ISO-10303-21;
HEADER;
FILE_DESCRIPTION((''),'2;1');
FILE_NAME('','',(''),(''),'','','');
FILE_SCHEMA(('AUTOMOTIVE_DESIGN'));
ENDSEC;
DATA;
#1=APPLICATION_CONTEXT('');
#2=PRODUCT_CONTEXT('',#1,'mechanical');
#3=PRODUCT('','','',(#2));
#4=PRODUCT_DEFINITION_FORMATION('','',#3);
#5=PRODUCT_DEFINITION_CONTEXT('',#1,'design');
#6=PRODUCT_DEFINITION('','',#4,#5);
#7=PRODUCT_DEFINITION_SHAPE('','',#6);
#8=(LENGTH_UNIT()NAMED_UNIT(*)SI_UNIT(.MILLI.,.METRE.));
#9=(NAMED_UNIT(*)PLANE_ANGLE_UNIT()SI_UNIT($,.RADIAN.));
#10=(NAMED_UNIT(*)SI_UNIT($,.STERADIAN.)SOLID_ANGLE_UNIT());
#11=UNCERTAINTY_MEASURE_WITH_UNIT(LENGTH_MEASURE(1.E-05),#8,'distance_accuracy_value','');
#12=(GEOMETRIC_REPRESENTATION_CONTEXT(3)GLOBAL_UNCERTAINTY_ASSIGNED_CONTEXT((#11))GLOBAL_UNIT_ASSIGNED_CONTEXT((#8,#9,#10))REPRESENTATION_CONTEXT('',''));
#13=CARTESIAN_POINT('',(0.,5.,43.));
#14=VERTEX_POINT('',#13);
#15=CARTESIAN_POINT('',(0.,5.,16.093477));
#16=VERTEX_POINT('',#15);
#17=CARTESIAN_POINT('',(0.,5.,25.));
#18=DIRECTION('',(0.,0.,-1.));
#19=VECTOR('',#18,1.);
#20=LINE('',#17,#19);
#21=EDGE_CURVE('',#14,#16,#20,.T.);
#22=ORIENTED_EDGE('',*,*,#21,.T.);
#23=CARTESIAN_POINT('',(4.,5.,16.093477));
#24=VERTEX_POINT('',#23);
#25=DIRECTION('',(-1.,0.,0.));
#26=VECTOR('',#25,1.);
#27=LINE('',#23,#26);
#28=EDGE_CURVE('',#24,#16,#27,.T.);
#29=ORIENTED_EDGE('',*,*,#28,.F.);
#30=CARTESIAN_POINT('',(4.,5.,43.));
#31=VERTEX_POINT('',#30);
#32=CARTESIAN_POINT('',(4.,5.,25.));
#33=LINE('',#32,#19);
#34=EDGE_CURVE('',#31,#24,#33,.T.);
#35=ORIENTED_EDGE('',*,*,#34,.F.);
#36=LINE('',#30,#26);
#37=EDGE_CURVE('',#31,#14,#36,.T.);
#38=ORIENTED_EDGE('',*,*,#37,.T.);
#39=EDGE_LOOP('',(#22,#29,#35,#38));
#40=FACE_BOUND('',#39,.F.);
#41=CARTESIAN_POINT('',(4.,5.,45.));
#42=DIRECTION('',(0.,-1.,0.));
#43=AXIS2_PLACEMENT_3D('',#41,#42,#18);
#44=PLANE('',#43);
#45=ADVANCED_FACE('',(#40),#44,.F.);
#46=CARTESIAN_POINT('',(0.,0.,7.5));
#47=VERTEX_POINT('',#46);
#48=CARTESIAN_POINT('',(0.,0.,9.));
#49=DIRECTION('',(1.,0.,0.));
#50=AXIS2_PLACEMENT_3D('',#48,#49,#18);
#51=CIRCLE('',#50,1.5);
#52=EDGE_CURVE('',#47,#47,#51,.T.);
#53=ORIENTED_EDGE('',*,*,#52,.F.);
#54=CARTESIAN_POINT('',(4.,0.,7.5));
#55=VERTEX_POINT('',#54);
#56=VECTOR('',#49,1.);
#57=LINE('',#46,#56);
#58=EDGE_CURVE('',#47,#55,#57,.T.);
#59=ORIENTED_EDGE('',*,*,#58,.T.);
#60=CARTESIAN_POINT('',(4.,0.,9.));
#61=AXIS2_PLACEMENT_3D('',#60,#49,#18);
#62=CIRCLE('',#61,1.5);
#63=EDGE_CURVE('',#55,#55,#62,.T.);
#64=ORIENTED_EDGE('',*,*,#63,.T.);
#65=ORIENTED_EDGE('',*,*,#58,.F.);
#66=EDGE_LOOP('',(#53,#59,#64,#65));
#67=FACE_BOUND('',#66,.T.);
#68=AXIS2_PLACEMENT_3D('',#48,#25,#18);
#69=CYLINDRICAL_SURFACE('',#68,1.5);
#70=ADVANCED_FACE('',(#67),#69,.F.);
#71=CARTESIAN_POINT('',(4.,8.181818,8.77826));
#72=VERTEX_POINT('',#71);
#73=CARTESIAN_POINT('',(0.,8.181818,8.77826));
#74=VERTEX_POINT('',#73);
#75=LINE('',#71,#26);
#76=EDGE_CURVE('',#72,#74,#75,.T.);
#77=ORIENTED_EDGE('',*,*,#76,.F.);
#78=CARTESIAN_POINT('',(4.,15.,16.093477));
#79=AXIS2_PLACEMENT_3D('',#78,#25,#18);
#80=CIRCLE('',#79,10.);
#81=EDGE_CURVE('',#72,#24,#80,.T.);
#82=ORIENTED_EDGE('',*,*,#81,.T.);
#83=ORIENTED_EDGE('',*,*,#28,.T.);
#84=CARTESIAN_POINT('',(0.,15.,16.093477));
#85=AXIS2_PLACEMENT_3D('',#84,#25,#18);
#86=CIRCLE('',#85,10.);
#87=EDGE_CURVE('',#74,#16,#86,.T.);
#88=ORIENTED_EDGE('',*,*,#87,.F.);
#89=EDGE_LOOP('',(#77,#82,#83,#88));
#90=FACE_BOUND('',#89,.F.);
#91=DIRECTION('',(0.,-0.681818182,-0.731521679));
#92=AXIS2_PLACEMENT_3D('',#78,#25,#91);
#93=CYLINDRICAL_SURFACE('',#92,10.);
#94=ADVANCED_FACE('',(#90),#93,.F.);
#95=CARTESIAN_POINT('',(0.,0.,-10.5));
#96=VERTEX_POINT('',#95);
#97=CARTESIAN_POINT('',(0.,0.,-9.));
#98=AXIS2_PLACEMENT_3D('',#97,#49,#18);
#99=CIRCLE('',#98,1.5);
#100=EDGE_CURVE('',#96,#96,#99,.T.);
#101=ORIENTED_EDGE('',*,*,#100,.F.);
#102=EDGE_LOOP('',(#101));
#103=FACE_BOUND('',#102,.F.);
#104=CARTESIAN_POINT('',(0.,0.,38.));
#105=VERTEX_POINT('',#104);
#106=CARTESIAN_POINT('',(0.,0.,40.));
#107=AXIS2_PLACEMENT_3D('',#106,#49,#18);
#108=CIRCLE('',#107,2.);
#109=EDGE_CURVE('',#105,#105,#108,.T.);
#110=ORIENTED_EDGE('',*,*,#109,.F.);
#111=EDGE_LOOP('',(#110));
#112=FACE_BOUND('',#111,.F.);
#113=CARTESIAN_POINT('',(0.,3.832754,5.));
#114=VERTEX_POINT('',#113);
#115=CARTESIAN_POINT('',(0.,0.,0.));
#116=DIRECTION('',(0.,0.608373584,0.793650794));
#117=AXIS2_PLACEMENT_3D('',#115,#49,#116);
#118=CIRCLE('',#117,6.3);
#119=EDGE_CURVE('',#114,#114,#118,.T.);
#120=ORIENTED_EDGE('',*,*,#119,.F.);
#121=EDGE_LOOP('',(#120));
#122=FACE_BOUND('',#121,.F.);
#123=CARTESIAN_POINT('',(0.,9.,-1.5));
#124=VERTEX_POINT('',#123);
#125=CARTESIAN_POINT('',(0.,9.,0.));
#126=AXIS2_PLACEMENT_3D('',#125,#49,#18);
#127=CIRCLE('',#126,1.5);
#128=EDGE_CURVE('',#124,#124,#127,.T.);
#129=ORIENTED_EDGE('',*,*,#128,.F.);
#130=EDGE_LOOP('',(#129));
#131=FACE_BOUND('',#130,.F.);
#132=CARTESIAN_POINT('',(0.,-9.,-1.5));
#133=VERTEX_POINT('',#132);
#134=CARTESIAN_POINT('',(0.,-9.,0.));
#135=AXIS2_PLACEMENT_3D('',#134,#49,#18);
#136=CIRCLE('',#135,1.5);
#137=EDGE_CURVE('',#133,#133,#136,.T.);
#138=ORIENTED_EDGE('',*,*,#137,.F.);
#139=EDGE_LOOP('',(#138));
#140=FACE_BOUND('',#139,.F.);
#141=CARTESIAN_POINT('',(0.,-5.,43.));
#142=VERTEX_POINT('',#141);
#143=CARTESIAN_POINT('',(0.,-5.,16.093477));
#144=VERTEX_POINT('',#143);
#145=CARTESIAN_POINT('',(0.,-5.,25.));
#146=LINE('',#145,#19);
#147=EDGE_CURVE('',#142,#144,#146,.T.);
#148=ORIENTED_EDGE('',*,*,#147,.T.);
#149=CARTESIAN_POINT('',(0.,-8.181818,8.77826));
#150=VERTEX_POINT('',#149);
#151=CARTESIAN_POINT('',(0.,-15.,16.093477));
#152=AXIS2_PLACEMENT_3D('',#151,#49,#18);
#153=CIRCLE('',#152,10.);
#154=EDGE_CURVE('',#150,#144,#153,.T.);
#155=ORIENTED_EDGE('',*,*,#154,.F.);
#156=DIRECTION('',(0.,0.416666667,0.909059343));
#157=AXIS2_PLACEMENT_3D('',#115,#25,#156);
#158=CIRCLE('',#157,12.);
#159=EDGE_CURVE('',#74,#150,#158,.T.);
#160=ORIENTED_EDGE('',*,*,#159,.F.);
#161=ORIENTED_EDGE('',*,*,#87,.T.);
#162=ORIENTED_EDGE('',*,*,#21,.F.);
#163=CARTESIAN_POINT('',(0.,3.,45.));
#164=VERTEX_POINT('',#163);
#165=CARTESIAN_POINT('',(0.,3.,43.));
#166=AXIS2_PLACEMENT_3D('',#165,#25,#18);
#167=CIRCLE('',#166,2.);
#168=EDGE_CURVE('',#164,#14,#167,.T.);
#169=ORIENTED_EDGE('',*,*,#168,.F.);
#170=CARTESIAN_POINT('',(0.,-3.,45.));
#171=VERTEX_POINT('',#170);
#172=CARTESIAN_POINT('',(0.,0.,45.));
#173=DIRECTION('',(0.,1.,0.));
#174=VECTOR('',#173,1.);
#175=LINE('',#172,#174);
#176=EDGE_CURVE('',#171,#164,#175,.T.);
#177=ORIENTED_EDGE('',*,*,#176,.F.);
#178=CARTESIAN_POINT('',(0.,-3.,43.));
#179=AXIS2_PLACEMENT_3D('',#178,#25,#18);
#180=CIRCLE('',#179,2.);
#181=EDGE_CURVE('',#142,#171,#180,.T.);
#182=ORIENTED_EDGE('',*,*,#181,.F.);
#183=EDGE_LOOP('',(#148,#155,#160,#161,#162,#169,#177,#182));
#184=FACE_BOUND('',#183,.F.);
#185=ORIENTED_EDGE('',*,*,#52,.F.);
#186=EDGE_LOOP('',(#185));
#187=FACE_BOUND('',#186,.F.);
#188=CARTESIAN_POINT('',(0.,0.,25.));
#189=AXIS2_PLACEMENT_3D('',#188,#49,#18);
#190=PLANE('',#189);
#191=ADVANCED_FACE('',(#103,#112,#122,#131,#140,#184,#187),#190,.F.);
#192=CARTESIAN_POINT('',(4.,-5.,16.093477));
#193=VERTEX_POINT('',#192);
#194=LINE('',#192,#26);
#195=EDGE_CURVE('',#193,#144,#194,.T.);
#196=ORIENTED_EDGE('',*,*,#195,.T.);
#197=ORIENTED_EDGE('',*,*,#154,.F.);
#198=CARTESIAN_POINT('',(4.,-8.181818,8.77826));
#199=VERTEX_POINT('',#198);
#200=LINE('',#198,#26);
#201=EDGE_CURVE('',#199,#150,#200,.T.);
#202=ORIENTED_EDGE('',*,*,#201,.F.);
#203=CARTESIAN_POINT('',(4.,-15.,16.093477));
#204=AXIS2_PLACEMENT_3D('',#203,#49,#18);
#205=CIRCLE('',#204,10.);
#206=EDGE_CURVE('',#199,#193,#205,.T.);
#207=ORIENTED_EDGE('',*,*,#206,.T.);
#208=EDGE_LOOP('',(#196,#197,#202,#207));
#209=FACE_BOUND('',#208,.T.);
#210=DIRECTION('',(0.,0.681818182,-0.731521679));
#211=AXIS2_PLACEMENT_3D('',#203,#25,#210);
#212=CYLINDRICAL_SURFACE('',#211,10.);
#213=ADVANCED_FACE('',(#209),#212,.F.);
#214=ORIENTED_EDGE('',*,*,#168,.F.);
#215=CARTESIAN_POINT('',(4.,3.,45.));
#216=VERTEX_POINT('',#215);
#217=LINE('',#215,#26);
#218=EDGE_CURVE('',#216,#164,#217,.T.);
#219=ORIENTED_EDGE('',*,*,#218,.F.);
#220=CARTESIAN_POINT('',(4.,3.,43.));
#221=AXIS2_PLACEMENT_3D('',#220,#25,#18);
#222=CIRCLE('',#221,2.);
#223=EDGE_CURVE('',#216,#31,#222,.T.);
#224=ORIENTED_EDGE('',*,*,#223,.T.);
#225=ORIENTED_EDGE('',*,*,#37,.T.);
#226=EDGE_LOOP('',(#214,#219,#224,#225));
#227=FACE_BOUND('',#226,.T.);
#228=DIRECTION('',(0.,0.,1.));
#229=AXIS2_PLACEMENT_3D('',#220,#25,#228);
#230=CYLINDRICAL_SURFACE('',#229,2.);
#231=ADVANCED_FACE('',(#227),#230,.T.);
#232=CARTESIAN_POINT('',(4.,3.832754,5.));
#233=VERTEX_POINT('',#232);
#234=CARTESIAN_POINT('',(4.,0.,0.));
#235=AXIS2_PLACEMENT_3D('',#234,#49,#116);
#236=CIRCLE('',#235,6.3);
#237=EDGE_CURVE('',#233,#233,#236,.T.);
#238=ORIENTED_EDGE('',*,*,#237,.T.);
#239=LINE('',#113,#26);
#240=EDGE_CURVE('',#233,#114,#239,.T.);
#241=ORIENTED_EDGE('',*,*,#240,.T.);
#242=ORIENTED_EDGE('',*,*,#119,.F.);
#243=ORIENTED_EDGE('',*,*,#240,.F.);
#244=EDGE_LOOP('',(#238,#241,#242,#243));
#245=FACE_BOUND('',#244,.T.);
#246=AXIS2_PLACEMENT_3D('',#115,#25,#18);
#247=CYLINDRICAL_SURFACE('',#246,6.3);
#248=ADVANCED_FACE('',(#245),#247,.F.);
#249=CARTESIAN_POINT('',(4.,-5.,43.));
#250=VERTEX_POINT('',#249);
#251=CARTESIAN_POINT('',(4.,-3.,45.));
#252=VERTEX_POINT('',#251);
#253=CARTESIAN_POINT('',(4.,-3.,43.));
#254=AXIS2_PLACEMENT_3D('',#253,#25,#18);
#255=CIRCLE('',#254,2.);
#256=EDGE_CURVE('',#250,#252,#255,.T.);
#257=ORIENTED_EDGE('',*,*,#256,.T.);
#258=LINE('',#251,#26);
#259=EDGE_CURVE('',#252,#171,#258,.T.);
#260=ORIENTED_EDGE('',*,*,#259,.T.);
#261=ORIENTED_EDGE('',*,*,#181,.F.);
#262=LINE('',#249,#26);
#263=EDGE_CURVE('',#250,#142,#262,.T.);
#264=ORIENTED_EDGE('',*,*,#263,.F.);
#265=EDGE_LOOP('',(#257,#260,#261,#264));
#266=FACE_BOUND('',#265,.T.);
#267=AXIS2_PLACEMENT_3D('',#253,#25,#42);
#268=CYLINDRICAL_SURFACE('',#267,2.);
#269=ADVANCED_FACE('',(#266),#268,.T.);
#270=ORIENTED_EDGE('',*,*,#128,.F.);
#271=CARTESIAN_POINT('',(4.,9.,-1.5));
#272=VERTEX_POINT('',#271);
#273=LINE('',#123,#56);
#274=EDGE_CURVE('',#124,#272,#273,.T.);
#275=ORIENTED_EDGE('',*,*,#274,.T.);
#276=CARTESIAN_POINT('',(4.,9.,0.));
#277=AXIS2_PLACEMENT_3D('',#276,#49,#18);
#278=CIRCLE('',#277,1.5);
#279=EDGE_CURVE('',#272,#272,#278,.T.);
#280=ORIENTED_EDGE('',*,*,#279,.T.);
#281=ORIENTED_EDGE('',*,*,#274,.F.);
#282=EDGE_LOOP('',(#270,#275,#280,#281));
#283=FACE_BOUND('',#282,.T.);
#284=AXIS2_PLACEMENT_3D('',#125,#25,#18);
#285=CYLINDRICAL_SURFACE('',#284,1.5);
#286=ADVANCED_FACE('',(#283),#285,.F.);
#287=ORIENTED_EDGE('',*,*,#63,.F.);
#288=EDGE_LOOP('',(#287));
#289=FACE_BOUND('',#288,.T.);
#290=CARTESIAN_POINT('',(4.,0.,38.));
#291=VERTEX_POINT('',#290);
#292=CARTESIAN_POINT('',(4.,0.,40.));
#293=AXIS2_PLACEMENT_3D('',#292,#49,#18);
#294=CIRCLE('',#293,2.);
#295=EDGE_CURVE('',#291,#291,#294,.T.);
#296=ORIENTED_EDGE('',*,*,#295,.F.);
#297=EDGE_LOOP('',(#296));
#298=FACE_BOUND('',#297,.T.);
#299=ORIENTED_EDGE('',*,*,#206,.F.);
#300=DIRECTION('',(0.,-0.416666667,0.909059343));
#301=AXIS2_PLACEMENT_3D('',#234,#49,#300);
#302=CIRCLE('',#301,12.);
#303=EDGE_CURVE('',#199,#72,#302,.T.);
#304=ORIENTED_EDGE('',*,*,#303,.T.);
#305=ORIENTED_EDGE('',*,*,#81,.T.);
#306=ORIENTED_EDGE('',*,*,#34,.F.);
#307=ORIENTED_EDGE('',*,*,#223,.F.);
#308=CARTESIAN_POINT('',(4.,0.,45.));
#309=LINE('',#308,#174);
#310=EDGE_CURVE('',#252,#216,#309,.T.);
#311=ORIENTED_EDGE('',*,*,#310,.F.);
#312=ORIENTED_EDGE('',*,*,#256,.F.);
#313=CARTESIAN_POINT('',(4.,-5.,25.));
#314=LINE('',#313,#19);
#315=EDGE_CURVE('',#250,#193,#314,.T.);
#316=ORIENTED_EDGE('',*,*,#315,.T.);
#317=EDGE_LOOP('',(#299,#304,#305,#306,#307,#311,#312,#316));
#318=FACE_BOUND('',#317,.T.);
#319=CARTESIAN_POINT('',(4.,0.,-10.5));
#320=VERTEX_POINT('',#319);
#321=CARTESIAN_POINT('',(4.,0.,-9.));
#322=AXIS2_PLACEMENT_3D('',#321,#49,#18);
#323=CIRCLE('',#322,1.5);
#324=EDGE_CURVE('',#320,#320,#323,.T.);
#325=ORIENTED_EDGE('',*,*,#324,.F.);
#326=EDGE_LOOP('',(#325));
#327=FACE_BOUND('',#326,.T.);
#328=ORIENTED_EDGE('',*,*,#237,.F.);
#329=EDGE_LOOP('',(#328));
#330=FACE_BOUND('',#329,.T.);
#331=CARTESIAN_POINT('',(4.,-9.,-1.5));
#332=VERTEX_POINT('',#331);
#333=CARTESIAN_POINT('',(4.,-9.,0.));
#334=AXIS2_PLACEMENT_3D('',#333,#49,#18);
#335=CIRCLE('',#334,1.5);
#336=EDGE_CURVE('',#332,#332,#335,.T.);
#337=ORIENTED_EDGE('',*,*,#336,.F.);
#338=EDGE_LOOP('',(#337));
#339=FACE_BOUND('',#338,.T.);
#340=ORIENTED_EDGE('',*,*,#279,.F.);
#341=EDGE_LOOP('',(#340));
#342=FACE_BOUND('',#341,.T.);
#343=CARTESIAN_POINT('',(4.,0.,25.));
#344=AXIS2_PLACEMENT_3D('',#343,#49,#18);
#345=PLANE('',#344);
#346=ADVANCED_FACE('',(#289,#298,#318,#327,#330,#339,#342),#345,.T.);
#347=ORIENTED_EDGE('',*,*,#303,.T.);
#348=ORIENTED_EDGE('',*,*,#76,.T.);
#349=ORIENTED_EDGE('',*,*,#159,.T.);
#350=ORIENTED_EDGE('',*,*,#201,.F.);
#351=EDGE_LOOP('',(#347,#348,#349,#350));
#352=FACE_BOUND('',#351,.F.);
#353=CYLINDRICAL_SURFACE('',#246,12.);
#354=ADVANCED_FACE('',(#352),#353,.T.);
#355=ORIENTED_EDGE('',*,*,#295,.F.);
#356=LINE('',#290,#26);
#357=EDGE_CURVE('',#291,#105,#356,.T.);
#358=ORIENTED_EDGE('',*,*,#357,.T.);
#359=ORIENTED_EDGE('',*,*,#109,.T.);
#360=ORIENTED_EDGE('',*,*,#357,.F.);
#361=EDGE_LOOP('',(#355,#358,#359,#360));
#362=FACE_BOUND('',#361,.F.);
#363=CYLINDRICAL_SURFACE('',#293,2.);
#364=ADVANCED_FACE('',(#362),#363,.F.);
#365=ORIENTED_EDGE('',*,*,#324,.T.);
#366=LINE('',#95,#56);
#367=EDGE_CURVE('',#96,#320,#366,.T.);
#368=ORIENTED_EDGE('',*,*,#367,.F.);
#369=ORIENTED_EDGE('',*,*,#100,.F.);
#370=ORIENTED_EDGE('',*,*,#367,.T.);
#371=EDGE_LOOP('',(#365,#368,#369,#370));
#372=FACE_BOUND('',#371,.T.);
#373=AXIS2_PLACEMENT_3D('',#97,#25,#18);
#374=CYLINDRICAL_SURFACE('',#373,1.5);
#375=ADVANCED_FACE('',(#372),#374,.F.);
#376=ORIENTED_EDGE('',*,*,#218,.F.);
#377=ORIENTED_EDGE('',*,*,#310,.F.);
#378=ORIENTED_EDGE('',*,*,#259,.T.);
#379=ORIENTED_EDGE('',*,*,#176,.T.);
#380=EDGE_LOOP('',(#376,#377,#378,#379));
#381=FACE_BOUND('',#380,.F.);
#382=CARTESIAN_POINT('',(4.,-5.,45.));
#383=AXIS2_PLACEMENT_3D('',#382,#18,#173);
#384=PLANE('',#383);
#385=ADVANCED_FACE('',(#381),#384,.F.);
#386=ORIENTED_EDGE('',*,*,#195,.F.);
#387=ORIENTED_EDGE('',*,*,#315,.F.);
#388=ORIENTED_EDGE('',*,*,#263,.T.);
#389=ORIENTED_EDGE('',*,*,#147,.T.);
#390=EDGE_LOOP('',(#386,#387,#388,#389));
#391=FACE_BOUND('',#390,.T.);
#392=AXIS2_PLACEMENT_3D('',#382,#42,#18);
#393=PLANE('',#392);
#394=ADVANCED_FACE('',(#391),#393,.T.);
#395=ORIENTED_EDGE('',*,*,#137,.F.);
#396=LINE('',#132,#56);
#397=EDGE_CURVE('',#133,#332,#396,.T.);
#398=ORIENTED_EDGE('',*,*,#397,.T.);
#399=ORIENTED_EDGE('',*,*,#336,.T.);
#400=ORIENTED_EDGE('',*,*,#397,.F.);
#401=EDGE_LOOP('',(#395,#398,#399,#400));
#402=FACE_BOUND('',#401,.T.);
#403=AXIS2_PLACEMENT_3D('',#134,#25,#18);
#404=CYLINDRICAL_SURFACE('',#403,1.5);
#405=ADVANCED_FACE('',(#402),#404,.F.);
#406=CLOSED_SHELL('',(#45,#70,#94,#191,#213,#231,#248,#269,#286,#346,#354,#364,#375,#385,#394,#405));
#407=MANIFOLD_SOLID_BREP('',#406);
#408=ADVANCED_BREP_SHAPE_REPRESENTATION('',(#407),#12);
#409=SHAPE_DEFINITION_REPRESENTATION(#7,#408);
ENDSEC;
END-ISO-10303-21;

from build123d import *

# Parameters (mm, degrees)
SKETCH_1_R          = 12
SKETCH_1_R_2        = 1.5
SKETCH_1_R_3        = 6.3
EXTRUDE_1_DEPTH     = 4
SKETCH_6_W          = 40
SKETCH_6_H          = 10
SKETCH_6_R          = 2
SKETCH_6_R_2        = 1.5
EXTRUDE_5_DEPTH     = 4
FILLET_1_R          = 10
FILLET_2_R          = 2
SKETCH_7_R          = 6.3
CUT_EXTRUDE_1_DEPTH = 5


with BuildPart() as part:
    # 草图1 → 凸台-拉伸1 (new body)
    with BuildSketch(Plane(origin=(0, 0, 0), x_dir=(0, 0, -1), z_dir=(1, 0, 0))):
        Circle(SKETCH_1_R)
        with Locations((0, 9)):
            Circle(SKETCH_1_R_2, mode=Mode.SUBTRACT)
        Circle(SKETCH_1_R_3, mode=Mode.SUBTRACT)
        with Locations((9, 0)):
            Circle(SKETCH_1_R_2, mode=Mode.SUBTRACT)
        with Locations((0, -9)):
            Circle(SKETCH_1_R_2, mode=Mode.SUBTRACT)
        with Locations((-9, 0)):
            Circle(SKETCH_1_R_2, mode=Mode.SUBTRACT)
    extrude(amount=EXTRUDE_1_DEPTH)

    # 草图6 → 凸台-拉伸5 (add)
    with BuildSketch(Plane(origin=(4, 0, 0), x_dir=(0, 0, -1), z_dir=(1, 0, 0))):
        with Locations((-25, 0)):
            Rectangle(SKETCH_6_W, SKETCH_6_H)
        with Locations((-40, 0)):
            Circle(SKETCH_6_R, mode=Mode.SUBTRACT)
        with Locations((-9, 0)):
            Circle(SKETCH_6_R_2, mode=Mode.SUBTRACT)
    extrude(amount=-EXTRUDE_5_DEPTH)

    # 圆角1
    fillet_1_edges = [part.edges().sort_by_distance(p)[0] for p in [
        (2, 5, 10.908712115),
        (2, -5, 10.908712115),
    ]]
    fillet(fillet_1_edges, radius=FILLET_1_R)

    # 圆角2
    fillet_2_edges = [part.edges().sort_by_distance(p)[0] for p in [
        (2, 5, 45),
        (2, -5, 45),
    ]]
    fillet(fillet_2_edges, radius=FILLET_2_R)

    # 草图7 → 切除-拉伸1 (cut, symmetric)
    with BuildSketch(Plane(origin=(4, 0, 0), x_dir=(0, 0, -1), z_dir=(1, 0, 0))):
        Circle(SKETCH_7_R)
    extrude(amount=CUT_EXTRUDE_1_DEPTH, both=True, mode=Mode.SUBTRACT)


solid = part.part
